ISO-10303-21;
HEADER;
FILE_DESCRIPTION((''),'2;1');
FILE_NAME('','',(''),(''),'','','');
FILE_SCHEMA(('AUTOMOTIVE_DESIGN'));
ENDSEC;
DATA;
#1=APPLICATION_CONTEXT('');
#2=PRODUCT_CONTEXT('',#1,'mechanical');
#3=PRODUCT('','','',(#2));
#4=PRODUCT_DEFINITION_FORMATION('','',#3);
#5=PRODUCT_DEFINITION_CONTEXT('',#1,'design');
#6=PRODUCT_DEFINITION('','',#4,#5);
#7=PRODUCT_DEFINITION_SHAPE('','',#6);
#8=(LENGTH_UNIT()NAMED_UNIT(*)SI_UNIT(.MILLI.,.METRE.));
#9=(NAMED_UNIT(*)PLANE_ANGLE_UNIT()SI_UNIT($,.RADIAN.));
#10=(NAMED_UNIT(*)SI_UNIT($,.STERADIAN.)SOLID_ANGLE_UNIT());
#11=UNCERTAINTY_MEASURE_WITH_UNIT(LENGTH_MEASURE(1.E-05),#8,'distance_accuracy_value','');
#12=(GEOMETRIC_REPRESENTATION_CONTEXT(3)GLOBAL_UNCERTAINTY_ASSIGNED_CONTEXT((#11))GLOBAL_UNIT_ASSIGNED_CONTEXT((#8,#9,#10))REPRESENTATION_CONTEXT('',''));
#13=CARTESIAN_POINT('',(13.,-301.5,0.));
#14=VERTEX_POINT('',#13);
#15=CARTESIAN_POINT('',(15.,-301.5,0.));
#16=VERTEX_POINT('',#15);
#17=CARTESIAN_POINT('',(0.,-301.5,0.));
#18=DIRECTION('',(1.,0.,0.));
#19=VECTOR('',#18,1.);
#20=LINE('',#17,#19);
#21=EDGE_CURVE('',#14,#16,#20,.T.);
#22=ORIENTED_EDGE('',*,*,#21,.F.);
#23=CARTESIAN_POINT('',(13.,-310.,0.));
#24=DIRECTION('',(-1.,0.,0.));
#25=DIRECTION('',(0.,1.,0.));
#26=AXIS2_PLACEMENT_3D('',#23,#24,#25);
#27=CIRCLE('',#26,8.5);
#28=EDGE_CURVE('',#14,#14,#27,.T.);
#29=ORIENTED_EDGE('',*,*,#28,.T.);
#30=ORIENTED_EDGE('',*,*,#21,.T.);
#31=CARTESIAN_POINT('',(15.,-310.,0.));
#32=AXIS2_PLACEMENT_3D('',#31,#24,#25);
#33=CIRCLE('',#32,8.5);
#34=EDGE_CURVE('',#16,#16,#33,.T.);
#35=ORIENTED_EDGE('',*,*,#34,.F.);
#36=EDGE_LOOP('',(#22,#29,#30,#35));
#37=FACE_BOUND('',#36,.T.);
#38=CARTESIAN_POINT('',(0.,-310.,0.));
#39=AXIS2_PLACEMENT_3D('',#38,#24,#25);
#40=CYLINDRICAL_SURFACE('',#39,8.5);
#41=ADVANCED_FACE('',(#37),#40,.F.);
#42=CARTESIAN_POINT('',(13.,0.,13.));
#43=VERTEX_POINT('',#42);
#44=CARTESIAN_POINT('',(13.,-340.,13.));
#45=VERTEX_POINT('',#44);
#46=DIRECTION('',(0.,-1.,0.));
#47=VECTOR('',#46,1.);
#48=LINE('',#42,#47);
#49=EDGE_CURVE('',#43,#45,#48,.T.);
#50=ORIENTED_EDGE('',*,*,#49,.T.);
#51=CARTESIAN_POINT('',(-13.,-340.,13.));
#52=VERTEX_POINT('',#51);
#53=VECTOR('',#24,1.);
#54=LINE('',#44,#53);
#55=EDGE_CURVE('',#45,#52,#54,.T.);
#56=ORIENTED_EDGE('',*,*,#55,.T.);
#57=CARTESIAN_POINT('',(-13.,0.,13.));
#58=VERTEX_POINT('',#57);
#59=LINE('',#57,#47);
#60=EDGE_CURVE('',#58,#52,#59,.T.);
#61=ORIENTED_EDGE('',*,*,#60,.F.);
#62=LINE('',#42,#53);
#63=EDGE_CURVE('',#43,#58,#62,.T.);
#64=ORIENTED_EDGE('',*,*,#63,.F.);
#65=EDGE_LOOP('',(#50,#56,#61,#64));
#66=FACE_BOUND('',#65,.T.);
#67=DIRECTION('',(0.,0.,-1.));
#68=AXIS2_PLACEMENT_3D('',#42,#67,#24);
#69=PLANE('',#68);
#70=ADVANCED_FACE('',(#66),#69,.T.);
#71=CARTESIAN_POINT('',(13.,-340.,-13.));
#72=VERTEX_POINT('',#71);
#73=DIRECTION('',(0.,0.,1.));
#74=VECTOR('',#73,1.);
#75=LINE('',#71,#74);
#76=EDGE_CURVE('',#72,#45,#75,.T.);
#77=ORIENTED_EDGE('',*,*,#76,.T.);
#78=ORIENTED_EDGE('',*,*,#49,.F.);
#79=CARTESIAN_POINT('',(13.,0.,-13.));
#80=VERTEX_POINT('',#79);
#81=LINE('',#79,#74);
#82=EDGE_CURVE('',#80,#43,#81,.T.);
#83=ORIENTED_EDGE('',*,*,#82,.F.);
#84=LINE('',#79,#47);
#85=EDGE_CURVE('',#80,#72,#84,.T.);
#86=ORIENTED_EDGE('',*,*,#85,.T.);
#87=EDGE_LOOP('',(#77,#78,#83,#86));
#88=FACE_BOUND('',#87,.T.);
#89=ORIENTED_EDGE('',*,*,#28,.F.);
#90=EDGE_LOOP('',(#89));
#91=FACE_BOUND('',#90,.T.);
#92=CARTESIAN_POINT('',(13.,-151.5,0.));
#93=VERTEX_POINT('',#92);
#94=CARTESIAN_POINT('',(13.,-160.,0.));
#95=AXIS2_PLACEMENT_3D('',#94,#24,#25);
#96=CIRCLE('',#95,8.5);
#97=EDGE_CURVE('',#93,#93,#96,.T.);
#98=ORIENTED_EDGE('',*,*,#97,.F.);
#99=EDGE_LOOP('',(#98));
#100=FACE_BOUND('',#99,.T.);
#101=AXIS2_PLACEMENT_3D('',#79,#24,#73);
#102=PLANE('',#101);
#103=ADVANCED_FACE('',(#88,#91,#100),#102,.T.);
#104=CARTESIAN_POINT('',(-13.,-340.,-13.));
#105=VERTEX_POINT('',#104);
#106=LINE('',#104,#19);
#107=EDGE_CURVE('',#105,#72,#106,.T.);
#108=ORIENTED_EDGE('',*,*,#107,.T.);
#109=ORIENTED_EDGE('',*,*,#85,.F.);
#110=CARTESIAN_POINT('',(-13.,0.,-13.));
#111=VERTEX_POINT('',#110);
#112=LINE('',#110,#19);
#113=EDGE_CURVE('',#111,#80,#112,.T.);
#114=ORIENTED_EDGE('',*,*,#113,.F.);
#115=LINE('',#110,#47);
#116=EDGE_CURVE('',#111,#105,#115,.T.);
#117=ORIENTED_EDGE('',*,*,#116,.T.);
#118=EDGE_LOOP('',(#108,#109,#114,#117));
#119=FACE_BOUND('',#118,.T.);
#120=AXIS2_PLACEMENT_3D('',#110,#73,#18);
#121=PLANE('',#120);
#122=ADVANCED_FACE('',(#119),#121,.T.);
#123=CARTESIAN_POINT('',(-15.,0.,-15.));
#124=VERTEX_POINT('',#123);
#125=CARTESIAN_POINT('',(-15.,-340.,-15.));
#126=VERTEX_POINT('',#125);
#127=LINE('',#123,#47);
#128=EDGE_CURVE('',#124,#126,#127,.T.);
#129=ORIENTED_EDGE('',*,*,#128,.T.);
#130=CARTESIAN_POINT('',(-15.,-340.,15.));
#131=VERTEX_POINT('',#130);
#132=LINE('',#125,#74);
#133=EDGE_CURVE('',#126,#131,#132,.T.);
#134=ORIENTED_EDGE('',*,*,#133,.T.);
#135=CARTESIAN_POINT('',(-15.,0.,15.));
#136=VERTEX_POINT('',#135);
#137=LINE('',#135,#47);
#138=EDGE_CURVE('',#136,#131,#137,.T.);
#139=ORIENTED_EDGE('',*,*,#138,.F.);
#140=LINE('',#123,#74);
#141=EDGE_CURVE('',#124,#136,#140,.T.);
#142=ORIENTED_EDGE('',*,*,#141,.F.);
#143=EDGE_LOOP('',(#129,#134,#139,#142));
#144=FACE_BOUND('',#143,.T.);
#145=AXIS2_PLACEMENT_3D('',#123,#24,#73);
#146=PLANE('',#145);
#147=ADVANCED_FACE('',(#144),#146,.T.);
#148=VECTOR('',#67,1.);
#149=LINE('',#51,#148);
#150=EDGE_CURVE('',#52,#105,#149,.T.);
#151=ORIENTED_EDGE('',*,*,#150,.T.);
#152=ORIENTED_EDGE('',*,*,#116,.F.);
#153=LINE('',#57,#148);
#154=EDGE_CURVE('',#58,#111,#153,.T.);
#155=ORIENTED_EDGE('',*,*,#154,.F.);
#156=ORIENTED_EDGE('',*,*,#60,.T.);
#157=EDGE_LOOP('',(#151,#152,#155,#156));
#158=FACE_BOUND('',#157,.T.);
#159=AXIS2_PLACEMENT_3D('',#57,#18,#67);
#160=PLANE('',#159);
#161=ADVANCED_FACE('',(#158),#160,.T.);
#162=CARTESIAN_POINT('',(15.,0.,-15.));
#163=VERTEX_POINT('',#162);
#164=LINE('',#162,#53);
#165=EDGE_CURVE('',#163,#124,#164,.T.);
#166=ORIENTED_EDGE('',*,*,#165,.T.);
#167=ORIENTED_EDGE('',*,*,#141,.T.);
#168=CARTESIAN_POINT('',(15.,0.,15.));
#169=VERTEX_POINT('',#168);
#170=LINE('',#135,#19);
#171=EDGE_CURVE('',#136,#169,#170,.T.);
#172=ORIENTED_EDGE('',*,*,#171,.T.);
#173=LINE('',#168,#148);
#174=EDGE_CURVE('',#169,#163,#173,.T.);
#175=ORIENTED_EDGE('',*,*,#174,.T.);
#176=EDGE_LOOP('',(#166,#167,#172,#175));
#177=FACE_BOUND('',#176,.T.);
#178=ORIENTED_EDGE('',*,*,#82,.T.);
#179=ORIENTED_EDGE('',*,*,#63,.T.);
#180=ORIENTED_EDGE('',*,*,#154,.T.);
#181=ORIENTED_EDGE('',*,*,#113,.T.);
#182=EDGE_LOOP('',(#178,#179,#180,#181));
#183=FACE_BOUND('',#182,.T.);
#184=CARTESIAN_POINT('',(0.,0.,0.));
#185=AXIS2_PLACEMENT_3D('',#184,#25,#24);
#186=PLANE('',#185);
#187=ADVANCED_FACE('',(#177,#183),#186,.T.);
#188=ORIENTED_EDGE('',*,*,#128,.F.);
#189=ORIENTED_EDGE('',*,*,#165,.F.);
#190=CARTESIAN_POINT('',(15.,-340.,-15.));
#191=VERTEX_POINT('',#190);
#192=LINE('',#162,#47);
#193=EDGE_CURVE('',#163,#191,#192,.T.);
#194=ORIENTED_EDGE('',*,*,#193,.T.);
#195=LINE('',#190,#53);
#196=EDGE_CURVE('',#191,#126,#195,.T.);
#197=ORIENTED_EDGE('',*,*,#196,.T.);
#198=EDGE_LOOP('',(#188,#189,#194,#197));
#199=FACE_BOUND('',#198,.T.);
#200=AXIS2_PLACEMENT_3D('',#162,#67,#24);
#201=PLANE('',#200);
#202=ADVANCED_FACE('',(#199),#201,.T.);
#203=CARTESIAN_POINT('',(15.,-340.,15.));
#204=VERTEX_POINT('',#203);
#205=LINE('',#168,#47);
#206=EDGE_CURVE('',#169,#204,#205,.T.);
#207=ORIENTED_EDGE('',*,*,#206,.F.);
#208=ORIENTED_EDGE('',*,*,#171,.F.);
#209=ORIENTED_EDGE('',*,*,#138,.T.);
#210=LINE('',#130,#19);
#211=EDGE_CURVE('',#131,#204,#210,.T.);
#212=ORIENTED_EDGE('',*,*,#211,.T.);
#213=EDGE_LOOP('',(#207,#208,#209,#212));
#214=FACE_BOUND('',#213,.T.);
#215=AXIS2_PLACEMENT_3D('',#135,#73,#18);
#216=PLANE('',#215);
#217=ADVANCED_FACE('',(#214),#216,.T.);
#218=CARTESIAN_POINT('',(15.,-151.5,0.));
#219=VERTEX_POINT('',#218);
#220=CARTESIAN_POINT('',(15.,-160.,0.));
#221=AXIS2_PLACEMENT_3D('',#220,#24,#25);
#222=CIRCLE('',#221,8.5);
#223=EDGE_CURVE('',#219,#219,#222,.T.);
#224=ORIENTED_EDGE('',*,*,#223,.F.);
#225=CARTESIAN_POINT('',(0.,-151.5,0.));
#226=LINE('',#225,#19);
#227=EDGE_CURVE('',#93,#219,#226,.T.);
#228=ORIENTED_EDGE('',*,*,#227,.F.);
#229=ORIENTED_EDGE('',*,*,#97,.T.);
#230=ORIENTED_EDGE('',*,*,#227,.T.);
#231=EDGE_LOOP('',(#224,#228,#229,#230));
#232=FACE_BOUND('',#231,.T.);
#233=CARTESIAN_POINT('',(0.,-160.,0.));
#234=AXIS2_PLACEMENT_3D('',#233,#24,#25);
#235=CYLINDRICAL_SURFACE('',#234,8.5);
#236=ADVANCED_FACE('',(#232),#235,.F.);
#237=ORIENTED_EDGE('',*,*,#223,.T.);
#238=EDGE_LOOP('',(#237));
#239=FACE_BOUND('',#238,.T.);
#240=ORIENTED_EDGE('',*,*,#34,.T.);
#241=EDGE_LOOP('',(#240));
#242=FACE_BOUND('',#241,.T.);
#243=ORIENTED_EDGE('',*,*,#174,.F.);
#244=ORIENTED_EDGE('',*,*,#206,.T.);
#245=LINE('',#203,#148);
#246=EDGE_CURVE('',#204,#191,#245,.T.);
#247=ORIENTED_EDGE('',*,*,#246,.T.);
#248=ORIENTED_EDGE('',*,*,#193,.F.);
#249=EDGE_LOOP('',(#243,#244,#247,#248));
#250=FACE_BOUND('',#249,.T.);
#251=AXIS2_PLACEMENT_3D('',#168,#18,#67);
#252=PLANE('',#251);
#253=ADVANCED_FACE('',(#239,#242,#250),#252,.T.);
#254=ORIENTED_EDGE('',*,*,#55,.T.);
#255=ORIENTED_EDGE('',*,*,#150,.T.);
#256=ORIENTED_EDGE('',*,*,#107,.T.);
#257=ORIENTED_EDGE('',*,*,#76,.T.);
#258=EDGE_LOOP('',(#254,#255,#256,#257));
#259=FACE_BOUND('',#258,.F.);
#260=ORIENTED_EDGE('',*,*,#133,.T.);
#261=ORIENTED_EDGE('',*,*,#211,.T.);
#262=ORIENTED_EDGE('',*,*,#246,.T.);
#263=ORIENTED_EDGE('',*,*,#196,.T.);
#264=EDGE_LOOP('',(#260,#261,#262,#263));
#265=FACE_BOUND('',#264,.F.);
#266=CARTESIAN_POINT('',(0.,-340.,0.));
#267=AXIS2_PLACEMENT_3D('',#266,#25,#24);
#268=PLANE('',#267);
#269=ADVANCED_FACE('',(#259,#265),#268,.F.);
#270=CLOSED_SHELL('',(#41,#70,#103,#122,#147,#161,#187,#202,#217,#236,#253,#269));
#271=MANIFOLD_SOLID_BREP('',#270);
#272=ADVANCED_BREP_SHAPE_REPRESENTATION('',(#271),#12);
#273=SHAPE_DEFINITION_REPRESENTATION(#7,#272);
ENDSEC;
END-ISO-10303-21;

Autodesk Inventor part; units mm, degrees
ref_plane "YZ Plane" through (0, 0, 0) normal (1, 0, 0) x (0, 1, 0)
ref_plane "XZ Plane" through (0, 0, 0) normal (0, 1, 0) x (-1, 0, 0)
ref_plane "XY Plane" through (0, 0, 0) normal (0, 0, 1) x (1, 0, 0)
sketch "Sketch9" plane through (0, 0, 0) normal (0, 1, 0) x (-1, 0, 0)
  line L0 (15, 15) -> (-15, 15)
  line L1 (-15, 15) -> (-15, -15)
  line L2 (-15, -15) -> (15, -15)
  line L3 (15, -15) -> (15, 15)
  line L4 (15, 15) -> (-15, -15) construction
  line L5 (-15, 15) -> (15, -15) construction
  line L6 (-13, 13) -> (13, 13)
  line L7 (13, 13) -> (13, -13)
  line L8 (13, -13) -> (-13, -13)
  line L9 (-13, -13) -> (-13, 13)
  point P0 (0, 0)
  dimension "d172" = 30
  dimension "d173" = 30
  dimension "d174" = 2
extrude "Extrusion3" add sketch "Sketch9" against normal blind 340
sketch "Sketch10" plane through (0, 0, 0) normal (1, 0, 0) x (0, 1, 0)
  line L0 (0, 15) -> (0, -15) construction
  line L1 (0, 15) -> (-340, 15) construction
  line L2 (-340, -15) -> (-340, 15) construction
  line L3 (0, -15) -> (-340, -15) construction
  line L4 (-168.5, 8.5) -> (-151.5, 8.5)
  line L5 (-151.5, 8.5) -> (-151.5, -8.5)
  line L6 (-151.5, -8.5) -> (-168.5, -8.5)
  line L7 (-168.5, -8.5) -> (-168.5, 8.5)
  line L8 (-168.5, 8.5) -> (-151.5, -8.5) construction
  line L9 (-151.5, 8.5) -> (-168.5, -8.5) construction
  line L10 (-318.5, 8.5) -> (-301.5, 8.5)
  line L11 (-301.5, 8.5) -> (-301.5, -8.5)
  line L12 (-301.5, -8.5) -> (-318.5, -8.5)
  line L13 (-318.5, -8.5) -> (-318.5, 8.5)
  line L14 (-318.5, 8.5) -> (-301.5, -8.5) construction
  line L15 (-301.5, 8.5) -> (-318.5, -8.5) construction
  line L16 (-428.5, 8.5) -> (-411.5, 8.5)
  line L17 (-411.5, 8.5) -> (-411.5, -8.5)
  line L18 (-411.5, -8.5) -> (-428.5, -8.5)
  line L19 (-428.5, -8.5) -> (-428.5, 8.5)
  line L20 (-428.5, 8.5) -> (-411.5, -8.5) construction
  line L21 (-411.5, 8.5) -> (-428.5, -8.5) construction
  circle A0 centre (-470, 0) radius 8.5
  line L22 (0, 0) -> (30, 0)
  circle A1 centre (-160, 0) radius 8.5
  circle A2 centre (-310, 0) radius 8.5
  circle A3 centre (-420, 0) radius 8.5
  dimension "d177" = 17
  dimension "d178" = 17
  dimension "d181" = 30
  dimension "d182" = 190
  dimension "d183" = 340
  dimension "d184" = 450
  dimension "d185" = 500
  dimension "d186" = 17
extrude "Extrusion4" cut sketch "Sketch10" along normal through all contours A1 | A2
properties part number "PNS 756 FDS 1200 way tube 3" material "Stainless Steel"
